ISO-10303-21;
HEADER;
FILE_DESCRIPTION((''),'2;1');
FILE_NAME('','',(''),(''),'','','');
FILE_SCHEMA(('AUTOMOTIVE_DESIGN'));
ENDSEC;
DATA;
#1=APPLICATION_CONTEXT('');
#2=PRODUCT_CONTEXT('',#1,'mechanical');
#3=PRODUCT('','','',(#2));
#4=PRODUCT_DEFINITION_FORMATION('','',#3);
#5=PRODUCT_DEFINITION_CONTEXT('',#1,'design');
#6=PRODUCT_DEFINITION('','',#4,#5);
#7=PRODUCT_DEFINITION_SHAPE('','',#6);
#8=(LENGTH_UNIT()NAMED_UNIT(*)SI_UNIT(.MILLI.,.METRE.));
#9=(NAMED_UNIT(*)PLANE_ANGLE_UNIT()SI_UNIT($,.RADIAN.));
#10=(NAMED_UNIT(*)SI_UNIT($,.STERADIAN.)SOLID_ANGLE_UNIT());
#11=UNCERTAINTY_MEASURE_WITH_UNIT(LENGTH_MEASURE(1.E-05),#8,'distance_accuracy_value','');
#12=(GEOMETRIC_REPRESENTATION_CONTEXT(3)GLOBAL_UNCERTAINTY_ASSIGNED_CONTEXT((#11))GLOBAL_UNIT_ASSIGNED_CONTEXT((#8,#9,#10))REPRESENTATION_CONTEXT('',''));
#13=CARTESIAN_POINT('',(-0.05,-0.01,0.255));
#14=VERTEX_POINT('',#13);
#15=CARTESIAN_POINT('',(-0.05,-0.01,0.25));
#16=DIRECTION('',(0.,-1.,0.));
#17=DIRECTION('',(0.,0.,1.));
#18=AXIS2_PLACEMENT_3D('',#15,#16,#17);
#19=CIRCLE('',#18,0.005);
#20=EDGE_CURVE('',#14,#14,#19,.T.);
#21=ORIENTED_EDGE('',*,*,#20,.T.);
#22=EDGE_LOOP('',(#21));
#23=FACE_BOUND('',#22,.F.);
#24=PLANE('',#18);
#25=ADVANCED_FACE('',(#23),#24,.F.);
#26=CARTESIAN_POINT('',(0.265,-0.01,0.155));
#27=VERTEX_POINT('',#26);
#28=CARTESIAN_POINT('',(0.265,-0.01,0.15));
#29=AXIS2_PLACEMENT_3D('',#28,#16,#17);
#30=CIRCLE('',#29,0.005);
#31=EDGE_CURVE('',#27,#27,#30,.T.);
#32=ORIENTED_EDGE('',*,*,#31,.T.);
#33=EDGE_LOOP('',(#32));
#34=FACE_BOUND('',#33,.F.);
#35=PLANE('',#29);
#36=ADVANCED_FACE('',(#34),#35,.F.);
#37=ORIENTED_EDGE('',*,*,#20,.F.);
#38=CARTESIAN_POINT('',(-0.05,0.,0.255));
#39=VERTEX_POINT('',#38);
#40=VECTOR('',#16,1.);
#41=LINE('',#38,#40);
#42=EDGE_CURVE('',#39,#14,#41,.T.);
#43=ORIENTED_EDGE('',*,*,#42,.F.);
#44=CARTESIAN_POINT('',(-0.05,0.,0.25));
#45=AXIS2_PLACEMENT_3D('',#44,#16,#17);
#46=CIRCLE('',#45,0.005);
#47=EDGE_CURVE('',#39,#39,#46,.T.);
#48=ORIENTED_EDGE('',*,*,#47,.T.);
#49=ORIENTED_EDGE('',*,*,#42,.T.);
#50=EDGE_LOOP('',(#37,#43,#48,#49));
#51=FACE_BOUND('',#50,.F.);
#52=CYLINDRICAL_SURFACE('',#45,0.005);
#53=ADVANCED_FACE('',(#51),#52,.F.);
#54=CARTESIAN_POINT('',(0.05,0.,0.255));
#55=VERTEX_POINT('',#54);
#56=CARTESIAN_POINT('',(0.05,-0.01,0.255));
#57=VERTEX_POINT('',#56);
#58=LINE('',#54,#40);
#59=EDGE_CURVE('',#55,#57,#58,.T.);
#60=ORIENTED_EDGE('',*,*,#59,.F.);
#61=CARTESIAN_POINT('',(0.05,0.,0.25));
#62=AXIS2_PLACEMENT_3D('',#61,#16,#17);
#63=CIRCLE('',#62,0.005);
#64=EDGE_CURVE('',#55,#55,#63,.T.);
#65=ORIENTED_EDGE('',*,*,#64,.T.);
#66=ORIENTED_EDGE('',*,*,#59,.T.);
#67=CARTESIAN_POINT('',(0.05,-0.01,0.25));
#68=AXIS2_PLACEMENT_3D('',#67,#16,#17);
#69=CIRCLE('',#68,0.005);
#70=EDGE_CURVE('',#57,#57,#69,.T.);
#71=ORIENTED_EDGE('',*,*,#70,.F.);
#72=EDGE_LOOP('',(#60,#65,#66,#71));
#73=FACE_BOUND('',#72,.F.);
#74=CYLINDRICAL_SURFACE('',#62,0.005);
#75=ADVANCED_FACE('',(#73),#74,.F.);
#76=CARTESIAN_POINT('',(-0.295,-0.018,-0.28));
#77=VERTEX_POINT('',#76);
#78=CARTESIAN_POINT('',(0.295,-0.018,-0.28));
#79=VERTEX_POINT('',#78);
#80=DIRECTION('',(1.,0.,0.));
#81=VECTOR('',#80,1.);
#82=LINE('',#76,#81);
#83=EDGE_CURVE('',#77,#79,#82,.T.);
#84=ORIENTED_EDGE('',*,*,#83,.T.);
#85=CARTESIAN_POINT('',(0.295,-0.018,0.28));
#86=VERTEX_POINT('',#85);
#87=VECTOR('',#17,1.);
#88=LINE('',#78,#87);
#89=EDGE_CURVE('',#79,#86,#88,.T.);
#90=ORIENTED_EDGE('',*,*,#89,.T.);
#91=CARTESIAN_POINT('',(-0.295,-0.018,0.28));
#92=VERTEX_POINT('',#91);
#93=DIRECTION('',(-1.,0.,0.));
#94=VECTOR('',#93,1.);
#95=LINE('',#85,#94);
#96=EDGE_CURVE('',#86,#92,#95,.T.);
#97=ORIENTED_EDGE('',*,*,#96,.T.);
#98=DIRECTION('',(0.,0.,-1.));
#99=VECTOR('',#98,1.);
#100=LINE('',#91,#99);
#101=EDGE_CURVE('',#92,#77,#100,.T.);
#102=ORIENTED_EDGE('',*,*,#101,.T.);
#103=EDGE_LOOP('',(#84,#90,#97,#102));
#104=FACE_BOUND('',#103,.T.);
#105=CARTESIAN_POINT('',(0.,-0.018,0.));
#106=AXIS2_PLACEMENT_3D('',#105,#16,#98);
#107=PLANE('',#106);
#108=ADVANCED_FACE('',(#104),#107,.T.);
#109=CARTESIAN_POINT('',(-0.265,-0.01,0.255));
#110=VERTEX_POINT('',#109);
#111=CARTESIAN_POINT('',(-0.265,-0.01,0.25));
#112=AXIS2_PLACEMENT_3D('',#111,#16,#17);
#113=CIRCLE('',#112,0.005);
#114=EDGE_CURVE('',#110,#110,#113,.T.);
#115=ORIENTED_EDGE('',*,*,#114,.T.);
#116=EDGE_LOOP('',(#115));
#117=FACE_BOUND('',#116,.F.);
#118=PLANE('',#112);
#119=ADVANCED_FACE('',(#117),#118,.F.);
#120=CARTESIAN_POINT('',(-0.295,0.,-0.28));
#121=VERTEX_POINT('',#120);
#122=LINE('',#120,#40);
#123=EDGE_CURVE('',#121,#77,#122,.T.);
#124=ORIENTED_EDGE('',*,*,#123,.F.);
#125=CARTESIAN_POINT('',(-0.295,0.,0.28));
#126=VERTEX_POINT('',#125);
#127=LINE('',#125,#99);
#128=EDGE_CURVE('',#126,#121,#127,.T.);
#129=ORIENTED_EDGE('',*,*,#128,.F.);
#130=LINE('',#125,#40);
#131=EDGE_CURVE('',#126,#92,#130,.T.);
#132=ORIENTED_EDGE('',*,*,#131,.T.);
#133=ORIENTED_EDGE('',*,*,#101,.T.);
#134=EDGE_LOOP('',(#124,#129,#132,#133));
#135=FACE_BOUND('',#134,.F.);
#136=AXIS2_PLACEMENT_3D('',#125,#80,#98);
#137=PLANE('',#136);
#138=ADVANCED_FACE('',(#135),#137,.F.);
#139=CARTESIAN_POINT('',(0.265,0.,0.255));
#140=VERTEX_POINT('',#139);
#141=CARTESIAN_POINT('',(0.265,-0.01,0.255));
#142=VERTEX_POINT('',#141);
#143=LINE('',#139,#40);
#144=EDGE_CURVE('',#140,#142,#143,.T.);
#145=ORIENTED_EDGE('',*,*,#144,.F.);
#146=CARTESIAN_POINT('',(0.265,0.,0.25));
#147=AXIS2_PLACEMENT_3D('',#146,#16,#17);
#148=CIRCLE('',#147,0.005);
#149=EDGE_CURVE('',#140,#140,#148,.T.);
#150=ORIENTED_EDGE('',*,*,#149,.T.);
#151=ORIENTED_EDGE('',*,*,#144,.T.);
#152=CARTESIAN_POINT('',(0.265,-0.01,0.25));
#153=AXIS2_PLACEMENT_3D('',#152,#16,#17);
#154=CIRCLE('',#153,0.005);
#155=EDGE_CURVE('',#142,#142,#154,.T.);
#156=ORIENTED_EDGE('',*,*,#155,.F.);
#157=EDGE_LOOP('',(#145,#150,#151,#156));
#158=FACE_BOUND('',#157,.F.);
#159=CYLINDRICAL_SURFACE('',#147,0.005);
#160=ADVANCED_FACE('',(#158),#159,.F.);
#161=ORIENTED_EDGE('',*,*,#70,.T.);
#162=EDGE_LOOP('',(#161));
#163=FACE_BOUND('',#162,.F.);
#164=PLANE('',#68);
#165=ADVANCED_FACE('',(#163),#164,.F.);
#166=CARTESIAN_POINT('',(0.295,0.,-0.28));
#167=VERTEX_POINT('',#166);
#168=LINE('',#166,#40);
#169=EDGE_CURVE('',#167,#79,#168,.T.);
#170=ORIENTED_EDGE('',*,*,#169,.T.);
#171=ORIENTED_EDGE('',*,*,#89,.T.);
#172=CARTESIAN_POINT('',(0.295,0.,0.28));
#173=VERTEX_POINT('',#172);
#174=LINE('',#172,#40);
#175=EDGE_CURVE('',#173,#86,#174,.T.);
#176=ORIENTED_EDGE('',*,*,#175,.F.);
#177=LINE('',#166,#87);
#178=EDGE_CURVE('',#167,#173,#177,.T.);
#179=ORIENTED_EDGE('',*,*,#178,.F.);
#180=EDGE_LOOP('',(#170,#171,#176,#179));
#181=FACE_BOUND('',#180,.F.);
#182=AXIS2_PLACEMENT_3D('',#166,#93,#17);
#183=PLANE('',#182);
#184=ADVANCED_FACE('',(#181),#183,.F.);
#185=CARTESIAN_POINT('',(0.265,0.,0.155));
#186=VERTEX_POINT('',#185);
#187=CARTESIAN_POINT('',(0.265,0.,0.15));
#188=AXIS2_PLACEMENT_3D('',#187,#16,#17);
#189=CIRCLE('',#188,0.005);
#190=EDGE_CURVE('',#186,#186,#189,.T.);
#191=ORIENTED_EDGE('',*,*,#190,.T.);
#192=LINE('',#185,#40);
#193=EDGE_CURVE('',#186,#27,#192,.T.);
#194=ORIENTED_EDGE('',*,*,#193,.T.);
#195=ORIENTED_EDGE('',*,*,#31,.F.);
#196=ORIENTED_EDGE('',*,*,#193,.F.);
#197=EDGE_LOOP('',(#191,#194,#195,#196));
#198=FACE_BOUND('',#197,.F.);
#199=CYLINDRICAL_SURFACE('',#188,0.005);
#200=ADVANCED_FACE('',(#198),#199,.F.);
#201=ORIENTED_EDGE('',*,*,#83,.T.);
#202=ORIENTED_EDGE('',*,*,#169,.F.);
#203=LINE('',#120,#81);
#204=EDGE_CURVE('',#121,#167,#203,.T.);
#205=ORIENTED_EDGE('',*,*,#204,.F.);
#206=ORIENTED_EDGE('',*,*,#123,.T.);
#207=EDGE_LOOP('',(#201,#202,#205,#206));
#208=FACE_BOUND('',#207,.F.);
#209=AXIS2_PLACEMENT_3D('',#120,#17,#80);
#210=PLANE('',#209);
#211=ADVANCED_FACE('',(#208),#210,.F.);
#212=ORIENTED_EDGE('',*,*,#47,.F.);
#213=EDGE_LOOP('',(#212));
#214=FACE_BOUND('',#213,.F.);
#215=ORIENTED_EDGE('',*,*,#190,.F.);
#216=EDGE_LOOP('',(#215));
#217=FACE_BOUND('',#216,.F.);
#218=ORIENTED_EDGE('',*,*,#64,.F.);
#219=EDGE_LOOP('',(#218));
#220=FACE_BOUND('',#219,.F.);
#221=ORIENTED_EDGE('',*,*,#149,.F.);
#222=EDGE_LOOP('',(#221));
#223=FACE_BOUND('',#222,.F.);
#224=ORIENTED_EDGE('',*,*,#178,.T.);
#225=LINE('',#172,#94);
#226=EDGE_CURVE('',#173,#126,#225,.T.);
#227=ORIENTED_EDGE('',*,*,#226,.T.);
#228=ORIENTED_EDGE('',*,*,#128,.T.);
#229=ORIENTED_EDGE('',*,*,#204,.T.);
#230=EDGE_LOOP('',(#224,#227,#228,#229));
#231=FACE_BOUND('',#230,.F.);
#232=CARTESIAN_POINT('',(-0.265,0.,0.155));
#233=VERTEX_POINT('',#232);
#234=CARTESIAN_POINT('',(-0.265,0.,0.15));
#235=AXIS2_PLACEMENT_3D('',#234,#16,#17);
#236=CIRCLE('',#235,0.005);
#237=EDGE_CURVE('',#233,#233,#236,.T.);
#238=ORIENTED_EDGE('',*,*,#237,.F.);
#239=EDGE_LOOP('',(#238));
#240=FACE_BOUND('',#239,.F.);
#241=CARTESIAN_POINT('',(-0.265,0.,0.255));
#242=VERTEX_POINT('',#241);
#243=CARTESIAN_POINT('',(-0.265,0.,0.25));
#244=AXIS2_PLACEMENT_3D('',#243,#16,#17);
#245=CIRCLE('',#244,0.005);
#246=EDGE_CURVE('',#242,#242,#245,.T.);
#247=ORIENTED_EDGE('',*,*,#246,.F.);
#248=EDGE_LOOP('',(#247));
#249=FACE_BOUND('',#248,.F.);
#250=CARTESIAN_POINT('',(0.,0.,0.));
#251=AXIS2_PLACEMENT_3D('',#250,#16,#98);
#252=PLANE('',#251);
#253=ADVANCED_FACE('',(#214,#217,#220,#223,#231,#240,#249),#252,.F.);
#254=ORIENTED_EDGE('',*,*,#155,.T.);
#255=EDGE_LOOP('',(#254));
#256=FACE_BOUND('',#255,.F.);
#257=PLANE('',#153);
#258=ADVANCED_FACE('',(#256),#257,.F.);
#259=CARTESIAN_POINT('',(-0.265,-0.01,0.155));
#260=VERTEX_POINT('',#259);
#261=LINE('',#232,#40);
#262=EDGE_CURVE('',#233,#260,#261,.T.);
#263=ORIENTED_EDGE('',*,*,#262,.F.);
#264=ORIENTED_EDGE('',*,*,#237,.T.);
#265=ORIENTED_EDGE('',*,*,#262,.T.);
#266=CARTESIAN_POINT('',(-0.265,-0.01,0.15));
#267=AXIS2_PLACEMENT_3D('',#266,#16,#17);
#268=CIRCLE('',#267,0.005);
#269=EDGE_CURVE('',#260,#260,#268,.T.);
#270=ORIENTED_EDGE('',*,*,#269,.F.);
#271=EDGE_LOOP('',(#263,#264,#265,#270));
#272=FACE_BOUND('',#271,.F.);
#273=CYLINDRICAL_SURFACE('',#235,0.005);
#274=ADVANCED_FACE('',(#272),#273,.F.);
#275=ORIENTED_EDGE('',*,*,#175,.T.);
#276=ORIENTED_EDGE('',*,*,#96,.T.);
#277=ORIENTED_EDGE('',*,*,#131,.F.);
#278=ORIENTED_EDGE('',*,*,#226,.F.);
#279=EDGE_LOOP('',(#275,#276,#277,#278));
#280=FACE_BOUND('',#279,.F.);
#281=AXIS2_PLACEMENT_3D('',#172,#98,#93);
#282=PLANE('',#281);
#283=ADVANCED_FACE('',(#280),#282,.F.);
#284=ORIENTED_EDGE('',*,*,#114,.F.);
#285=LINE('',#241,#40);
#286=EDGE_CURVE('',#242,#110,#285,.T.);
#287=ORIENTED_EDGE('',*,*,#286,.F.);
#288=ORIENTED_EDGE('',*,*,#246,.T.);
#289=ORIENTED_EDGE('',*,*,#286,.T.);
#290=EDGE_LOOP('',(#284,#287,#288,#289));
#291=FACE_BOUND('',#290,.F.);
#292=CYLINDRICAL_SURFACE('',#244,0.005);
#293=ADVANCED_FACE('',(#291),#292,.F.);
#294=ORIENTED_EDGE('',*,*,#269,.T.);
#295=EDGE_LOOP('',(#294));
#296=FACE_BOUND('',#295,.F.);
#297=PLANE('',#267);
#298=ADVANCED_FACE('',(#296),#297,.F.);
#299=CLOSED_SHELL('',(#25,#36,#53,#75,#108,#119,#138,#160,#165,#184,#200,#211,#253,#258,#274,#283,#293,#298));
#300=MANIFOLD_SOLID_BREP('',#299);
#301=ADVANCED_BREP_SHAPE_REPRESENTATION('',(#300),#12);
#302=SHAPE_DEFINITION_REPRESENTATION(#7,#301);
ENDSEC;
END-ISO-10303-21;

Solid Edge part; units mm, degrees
sketch "Sketch1" plane through (0, 0, 0) normal (0, -1, 0) x (1, 0, 0)
  line L0 (-0.295, -0.28) -> (0.295, -0.28)
  line L1 (0.295, -0.28) -> (0.295, 0.28)
  line L2 (0.295, 0.28) -> (-0.295, 0.28)
  line L3 (-0.295, 0.28) -> (-0.295, -0.28)
  dimension "D1" = 0.56
  dimension "D2" = 0.59
extrude "Protrusion1" add sketch "Sketch1" along normal blind 0.018
hole "Bohrung_1" at (-0.05, 0, 0.25) direction (0, -1, 0) diameter 0.01 depth 0.01
hole "Hole1" at (0.05, 0, 0.25) direction (0, -1, 0) diameter 0.01 depth 0.01
hole "Hole2" at (0.265, 0, 0.25) direction (0, -1, 0) diameter 0.01 depth 0.01
hole "Hole3" at (0.265, 0, 0.15) direction (0, -1, 0) diameter 0.01 depth 0.01
hole "Hole4" at (-0.265, 0, 0.15) direction (0, -1, 0) diameter 0.01 depth 0.01
hole "Hole5" at (-0.265, 0, 0.25) direction (0, -1, 0) diameter 0.01 depth 0.01
